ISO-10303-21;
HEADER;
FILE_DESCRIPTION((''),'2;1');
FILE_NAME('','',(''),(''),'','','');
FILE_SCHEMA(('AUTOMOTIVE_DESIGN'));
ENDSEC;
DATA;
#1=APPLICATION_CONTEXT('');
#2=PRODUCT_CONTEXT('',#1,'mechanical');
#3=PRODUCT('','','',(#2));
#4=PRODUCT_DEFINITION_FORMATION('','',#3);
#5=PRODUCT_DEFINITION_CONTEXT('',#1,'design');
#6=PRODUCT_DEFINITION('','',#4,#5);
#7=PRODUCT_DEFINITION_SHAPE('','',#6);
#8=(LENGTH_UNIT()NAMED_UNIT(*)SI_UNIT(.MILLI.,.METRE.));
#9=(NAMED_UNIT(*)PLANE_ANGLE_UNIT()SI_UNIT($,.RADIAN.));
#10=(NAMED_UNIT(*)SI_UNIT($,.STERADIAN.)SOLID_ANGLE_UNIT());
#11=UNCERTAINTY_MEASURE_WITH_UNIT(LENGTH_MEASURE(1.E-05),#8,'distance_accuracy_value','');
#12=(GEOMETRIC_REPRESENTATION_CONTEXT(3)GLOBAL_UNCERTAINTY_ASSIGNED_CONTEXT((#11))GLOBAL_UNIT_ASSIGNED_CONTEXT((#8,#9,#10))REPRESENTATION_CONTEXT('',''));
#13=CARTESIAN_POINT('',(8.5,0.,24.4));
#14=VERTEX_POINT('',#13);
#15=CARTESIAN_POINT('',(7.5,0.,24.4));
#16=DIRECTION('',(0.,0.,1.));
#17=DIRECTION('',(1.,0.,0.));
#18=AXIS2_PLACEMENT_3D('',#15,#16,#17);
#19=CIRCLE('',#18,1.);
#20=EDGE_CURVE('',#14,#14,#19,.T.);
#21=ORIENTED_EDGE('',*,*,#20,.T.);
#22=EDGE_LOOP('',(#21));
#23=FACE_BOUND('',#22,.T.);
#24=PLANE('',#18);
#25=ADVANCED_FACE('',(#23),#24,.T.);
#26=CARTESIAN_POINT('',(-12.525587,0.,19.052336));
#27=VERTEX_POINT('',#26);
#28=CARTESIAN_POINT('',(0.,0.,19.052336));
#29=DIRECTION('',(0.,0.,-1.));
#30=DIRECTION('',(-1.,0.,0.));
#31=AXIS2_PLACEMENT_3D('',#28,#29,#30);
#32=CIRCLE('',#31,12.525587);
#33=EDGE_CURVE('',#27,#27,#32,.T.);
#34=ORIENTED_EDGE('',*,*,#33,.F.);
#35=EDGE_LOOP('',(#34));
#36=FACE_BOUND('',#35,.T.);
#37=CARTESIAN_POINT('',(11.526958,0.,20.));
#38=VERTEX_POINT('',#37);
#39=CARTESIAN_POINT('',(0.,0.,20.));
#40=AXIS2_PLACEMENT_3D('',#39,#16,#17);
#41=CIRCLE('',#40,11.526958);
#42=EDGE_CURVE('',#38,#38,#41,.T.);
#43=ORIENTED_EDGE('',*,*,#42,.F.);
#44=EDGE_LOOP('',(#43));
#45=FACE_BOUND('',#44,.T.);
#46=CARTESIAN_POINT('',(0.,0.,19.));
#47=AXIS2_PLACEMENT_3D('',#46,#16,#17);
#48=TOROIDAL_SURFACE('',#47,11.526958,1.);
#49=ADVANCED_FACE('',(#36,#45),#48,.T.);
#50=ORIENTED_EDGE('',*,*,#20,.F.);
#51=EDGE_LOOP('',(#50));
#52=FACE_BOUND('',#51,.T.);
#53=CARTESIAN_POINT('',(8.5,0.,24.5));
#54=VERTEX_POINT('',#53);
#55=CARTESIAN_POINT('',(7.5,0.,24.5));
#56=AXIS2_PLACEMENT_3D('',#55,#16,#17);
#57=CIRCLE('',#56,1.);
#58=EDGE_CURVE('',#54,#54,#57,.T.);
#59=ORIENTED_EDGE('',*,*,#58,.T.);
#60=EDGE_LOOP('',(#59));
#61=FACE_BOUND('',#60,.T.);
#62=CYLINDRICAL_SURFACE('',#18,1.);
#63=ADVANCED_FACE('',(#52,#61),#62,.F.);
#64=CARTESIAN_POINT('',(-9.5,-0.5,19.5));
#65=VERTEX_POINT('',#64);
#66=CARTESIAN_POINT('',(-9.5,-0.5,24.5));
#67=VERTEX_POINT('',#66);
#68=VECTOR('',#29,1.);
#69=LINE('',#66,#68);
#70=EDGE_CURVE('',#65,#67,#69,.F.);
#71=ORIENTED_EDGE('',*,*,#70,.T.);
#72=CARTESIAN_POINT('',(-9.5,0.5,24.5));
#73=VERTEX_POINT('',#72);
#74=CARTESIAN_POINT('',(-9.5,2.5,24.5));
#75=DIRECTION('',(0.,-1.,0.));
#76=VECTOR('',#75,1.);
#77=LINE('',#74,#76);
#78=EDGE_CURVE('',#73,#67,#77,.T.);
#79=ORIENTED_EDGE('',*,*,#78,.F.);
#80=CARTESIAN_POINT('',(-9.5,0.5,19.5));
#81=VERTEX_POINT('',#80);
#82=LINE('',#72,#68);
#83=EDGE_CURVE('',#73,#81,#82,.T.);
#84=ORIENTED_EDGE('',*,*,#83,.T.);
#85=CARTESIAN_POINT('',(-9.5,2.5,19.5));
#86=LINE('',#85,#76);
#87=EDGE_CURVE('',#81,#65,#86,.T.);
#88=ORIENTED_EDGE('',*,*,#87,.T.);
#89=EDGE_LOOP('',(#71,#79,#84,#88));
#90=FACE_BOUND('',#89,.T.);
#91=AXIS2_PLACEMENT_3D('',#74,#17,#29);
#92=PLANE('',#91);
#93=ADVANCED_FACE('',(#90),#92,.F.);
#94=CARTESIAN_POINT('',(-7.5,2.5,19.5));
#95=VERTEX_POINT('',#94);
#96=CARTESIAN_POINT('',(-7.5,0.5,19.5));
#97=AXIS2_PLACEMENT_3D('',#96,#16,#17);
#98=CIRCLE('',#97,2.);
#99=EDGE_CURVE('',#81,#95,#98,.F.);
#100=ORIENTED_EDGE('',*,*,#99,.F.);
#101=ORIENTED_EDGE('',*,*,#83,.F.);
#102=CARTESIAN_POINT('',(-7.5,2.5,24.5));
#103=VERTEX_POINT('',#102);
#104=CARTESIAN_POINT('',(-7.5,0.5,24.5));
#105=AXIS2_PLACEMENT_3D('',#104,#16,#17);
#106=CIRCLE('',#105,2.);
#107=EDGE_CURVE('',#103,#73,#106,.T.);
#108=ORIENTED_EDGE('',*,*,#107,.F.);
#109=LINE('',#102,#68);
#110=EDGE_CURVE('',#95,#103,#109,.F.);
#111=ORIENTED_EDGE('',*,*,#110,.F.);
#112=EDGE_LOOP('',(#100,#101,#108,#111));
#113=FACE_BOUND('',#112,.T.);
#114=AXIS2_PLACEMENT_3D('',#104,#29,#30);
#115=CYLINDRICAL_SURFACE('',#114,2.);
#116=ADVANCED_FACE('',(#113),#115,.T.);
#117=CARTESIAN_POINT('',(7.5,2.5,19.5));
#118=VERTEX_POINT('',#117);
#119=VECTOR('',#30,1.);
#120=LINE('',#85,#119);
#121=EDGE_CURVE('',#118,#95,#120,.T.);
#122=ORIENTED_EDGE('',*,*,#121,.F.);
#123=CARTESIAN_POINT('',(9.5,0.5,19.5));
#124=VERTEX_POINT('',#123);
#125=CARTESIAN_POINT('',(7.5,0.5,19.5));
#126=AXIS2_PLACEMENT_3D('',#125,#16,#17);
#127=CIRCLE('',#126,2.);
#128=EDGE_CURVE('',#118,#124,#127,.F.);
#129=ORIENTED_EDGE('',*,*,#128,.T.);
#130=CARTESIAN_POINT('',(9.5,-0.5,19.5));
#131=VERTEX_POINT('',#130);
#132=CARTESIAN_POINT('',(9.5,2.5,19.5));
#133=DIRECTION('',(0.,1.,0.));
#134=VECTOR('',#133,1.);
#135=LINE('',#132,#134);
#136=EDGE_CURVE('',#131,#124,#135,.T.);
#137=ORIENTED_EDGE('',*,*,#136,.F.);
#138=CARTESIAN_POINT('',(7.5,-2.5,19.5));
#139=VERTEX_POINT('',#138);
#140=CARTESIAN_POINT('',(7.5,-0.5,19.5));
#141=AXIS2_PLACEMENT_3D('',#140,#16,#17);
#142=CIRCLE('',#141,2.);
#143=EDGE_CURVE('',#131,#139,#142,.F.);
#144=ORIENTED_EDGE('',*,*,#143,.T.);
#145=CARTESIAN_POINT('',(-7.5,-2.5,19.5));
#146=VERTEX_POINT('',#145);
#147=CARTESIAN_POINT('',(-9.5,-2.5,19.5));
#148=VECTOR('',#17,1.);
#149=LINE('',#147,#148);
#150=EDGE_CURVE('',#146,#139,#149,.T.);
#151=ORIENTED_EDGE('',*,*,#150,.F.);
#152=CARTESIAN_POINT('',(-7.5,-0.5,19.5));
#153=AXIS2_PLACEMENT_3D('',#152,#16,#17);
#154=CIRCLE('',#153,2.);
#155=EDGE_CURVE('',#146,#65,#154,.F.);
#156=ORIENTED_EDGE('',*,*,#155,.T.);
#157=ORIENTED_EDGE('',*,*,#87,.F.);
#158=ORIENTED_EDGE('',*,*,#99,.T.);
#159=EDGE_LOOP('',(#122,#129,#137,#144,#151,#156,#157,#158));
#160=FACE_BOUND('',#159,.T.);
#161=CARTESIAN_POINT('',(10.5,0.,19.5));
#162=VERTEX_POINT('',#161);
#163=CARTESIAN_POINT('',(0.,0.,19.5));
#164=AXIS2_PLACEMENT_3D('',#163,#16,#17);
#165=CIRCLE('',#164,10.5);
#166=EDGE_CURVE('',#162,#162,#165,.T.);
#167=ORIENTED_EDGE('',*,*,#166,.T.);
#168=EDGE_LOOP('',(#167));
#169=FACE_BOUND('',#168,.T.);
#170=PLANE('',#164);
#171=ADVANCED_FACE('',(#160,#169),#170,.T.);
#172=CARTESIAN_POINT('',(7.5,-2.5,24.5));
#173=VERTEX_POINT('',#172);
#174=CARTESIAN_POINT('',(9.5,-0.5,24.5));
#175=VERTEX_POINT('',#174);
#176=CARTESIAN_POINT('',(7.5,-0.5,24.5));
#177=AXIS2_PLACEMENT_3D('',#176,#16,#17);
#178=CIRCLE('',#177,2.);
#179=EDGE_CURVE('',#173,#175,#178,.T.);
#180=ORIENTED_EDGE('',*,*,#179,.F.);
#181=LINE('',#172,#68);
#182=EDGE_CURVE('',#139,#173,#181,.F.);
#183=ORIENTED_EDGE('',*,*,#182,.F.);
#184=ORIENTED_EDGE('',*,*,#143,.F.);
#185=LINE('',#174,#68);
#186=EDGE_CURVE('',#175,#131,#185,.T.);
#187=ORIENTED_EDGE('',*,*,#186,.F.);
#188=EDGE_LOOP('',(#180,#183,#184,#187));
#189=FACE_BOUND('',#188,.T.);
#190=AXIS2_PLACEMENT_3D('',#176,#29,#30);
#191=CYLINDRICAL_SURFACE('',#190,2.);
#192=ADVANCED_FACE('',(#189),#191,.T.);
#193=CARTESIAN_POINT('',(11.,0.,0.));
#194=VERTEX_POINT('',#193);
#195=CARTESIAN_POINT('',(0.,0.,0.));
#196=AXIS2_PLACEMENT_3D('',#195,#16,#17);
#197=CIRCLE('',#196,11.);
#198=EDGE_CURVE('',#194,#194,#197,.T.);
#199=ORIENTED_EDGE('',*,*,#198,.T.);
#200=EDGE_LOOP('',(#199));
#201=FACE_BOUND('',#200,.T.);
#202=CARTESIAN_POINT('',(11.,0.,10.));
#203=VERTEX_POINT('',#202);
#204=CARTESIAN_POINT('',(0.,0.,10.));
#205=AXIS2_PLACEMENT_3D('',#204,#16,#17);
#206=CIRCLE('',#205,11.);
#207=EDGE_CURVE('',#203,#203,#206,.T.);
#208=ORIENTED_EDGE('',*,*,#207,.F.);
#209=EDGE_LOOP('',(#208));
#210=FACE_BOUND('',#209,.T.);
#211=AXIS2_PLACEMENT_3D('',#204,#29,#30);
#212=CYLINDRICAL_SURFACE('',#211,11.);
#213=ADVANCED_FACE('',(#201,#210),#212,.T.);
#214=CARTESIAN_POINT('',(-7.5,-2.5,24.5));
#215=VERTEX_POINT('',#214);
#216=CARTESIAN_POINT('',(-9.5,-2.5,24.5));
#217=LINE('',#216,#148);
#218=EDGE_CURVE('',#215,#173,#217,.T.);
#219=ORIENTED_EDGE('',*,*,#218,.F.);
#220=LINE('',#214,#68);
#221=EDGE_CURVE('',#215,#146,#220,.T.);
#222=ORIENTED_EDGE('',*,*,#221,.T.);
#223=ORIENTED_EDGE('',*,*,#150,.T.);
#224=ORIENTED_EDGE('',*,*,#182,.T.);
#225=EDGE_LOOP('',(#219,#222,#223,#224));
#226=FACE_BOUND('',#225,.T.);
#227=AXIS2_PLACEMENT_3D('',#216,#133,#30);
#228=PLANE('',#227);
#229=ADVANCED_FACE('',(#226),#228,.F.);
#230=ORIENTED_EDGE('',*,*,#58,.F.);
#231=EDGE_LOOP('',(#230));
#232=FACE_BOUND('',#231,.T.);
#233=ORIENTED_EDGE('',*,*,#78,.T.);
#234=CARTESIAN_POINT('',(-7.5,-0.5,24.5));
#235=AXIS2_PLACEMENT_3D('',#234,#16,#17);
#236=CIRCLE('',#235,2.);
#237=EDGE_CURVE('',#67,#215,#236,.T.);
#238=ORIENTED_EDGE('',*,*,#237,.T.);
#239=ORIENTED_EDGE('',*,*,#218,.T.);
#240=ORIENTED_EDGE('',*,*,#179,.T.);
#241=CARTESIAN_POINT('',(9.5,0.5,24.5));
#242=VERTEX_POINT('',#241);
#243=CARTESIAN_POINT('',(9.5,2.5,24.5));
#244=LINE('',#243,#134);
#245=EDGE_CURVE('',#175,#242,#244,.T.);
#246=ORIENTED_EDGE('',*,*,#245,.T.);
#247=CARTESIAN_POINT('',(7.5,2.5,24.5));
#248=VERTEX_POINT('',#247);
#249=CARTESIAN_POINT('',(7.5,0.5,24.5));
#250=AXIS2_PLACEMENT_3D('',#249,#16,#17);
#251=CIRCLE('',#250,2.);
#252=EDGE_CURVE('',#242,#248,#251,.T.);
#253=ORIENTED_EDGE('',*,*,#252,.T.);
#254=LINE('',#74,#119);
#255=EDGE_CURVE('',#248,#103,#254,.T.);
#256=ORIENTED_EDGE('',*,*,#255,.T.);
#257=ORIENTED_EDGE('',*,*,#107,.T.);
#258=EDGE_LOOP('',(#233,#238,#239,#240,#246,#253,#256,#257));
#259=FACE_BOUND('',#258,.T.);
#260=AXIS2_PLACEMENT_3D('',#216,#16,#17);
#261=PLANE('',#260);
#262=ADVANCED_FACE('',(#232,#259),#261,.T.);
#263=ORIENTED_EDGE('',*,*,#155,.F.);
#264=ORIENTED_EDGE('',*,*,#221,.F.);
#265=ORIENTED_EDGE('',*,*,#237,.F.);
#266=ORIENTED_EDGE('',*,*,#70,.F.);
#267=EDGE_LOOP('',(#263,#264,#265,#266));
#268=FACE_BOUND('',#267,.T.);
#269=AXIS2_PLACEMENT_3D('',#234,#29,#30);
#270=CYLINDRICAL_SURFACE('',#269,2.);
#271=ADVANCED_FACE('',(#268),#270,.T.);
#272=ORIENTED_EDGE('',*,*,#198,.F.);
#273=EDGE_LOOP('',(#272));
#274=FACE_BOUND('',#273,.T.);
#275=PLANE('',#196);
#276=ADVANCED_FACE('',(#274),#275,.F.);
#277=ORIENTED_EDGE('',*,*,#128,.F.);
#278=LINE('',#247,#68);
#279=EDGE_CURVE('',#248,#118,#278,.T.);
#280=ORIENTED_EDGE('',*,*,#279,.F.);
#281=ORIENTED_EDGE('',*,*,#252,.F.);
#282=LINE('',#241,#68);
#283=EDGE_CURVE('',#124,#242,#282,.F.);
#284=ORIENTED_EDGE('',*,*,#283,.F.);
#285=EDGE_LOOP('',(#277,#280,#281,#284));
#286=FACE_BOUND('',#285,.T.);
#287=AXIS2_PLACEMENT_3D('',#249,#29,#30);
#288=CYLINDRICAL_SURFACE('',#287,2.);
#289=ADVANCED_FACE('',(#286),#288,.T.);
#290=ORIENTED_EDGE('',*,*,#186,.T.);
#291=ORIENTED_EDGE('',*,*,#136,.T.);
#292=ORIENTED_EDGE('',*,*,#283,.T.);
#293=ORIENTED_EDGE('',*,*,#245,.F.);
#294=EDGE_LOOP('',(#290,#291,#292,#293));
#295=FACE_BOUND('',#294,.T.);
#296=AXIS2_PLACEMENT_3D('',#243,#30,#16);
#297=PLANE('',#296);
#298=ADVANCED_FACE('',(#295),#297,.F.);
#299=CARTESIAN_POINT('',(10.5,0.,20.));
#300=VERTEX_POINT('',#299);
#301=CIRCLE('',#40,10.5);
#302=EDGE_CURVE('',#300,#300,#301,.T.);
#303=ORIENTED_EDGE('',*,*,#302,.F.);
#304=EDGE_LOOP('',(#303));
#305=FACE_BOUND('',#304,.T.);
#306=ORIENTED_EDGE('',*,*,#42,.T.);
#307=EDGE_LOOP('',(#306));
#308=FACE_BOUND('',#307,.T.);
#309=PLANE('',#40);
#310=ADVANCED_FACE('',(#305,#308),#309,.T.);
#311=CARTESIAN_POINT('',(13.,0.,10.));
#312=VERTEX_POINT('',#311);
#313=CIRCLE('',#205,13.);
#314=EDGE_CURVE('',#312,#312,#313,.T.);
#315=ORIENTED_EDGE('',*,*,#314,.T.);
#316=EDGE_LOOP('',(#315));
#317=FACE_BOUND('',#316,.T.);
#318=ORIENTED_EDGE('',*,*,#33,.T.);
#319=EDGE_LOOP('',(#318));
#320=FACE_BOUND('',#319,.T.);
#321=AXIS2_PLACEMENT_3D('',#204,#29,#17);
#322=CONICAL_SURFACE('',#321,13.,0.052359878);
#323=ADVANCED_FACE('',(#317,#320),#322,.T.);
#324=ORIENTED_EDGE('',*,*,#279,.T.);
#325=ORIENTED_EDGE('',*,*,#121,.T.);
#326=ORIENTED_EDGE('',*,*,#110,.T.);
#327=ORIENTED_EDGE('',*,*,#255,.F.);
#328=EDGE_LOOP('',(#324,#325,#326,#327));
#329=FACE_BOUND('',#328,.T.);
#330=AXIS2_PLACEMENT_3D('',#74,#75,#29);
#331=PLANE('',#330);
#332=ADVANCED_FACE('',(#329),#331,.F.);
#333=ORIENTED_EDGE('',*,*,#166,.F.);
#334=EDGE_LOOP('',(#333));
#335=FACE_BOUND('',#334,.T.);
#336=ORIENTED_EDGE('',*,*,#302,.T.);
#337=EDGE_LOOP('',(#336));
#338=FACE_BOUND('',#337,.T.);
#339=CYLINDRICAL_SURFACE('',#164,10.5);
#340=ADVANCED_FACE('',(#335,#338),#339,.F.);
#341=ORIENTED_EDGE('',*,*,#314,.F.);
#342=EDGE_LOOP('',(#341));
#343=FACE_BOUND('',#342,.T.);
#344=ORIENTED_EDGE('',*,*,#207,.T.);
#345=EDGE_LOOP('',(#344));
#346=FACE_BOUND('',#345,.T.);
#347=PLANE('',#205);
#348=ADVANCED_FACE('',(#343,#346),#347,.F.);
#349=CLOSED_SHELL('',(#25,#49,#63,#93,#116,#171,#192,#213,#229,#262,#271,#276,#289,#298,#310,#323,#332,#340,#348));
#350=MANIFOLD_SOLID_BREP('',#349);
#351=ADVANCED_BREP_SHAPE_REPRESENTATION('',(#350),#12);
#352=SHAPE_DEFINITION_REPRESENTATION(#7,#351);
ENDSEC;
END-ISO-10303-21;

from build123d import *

# Parameters (mm, degrees)
SKETCH_1_R          = 11
EXTRUDE_1_DEPTH     = 10
SKETCH_2_R          = 13
EXTRUDE_2_DEPTH     = 10
EXTRUDE_2_TAPER     = 3
FILLET_1_R          = 1
SKETCH_3_R          = 10.5
CUT_EXTRUDE_1_DEPTH = 0.5
SKETCH_4_W          = 19
SKETCH_4_H          = 5
EXTRUDE_4_DEPTH     = 5
FILLET_3_R          = 2
SKETCH_5_R          = 1
CUT_EXTRUDE_2_DEPTH = 0.1


with BuildPart() as part:
    # 草图1 → 凸台-拉伸1 (new body)
    with BuildSketch(Plane.XY):
        Circle(SKETCH_1_R)
    extrude(amount=EXTRUDE_1_DEPTH)

    # 草图2 → 凸台-拉伸2 (add)
    with BuildSketch(Plane.XY.offset(10)):
        Circle(SKETCH_2_R)
    extrude(amount=EXTRUDE_2_DEPTH, taper=EXTRUDE_2_TAPER)

    # 圆角1
    fillet_1_edges = [part.edges().sort_by_distance(p)[0] for p in [
        (-12.475922207, 0, 20),
    ]]
    fillet(fillet_1_edges, radius=FILLET_1_R)

    # 草图3 → 切除-拉伸1 (cut)
    with BuildSketch(Plane.XY.offset(20)):
        Circle(SKETCH_3_R)
    extrude(amount=-CUT_EXTRUDE_1_DEPTH, mode=Mode.SUBTRACT)

    # 草图4 → 凸台-拉伸4 (add)
    with BuildSketch(Plane.XY.offset(19.5)):
        Rectangle(SKETCH_4_W, SKETCH_4_H)
    extrude(amount=EXTRUDE_4_DEPTH)

    # 圆角3
    fillet_3_edges = [part.edges().sort_by_distance(p)[0] for p in [
        (-9.5, 2.5, 22),
        (-9.5, -2.5, 22),
        (9.5, -2.5, 22),
        (9.5, 2.5, 22),
    ]]
    fillet(fillet_3_edges, radius=FILLET_3_R)

    # 草图5 → 切除-拉伸2 (cut)
    with BuildSketch(Plane.XY.offset(24.5)):
        with Locations((7.5, 0)):
            Circle(SKETCH_5_R)
    extrude(amount=-CUT_EXTRUDE_2_DEPTH, mode=Mode.SUBTRACT)


solid = part.part
